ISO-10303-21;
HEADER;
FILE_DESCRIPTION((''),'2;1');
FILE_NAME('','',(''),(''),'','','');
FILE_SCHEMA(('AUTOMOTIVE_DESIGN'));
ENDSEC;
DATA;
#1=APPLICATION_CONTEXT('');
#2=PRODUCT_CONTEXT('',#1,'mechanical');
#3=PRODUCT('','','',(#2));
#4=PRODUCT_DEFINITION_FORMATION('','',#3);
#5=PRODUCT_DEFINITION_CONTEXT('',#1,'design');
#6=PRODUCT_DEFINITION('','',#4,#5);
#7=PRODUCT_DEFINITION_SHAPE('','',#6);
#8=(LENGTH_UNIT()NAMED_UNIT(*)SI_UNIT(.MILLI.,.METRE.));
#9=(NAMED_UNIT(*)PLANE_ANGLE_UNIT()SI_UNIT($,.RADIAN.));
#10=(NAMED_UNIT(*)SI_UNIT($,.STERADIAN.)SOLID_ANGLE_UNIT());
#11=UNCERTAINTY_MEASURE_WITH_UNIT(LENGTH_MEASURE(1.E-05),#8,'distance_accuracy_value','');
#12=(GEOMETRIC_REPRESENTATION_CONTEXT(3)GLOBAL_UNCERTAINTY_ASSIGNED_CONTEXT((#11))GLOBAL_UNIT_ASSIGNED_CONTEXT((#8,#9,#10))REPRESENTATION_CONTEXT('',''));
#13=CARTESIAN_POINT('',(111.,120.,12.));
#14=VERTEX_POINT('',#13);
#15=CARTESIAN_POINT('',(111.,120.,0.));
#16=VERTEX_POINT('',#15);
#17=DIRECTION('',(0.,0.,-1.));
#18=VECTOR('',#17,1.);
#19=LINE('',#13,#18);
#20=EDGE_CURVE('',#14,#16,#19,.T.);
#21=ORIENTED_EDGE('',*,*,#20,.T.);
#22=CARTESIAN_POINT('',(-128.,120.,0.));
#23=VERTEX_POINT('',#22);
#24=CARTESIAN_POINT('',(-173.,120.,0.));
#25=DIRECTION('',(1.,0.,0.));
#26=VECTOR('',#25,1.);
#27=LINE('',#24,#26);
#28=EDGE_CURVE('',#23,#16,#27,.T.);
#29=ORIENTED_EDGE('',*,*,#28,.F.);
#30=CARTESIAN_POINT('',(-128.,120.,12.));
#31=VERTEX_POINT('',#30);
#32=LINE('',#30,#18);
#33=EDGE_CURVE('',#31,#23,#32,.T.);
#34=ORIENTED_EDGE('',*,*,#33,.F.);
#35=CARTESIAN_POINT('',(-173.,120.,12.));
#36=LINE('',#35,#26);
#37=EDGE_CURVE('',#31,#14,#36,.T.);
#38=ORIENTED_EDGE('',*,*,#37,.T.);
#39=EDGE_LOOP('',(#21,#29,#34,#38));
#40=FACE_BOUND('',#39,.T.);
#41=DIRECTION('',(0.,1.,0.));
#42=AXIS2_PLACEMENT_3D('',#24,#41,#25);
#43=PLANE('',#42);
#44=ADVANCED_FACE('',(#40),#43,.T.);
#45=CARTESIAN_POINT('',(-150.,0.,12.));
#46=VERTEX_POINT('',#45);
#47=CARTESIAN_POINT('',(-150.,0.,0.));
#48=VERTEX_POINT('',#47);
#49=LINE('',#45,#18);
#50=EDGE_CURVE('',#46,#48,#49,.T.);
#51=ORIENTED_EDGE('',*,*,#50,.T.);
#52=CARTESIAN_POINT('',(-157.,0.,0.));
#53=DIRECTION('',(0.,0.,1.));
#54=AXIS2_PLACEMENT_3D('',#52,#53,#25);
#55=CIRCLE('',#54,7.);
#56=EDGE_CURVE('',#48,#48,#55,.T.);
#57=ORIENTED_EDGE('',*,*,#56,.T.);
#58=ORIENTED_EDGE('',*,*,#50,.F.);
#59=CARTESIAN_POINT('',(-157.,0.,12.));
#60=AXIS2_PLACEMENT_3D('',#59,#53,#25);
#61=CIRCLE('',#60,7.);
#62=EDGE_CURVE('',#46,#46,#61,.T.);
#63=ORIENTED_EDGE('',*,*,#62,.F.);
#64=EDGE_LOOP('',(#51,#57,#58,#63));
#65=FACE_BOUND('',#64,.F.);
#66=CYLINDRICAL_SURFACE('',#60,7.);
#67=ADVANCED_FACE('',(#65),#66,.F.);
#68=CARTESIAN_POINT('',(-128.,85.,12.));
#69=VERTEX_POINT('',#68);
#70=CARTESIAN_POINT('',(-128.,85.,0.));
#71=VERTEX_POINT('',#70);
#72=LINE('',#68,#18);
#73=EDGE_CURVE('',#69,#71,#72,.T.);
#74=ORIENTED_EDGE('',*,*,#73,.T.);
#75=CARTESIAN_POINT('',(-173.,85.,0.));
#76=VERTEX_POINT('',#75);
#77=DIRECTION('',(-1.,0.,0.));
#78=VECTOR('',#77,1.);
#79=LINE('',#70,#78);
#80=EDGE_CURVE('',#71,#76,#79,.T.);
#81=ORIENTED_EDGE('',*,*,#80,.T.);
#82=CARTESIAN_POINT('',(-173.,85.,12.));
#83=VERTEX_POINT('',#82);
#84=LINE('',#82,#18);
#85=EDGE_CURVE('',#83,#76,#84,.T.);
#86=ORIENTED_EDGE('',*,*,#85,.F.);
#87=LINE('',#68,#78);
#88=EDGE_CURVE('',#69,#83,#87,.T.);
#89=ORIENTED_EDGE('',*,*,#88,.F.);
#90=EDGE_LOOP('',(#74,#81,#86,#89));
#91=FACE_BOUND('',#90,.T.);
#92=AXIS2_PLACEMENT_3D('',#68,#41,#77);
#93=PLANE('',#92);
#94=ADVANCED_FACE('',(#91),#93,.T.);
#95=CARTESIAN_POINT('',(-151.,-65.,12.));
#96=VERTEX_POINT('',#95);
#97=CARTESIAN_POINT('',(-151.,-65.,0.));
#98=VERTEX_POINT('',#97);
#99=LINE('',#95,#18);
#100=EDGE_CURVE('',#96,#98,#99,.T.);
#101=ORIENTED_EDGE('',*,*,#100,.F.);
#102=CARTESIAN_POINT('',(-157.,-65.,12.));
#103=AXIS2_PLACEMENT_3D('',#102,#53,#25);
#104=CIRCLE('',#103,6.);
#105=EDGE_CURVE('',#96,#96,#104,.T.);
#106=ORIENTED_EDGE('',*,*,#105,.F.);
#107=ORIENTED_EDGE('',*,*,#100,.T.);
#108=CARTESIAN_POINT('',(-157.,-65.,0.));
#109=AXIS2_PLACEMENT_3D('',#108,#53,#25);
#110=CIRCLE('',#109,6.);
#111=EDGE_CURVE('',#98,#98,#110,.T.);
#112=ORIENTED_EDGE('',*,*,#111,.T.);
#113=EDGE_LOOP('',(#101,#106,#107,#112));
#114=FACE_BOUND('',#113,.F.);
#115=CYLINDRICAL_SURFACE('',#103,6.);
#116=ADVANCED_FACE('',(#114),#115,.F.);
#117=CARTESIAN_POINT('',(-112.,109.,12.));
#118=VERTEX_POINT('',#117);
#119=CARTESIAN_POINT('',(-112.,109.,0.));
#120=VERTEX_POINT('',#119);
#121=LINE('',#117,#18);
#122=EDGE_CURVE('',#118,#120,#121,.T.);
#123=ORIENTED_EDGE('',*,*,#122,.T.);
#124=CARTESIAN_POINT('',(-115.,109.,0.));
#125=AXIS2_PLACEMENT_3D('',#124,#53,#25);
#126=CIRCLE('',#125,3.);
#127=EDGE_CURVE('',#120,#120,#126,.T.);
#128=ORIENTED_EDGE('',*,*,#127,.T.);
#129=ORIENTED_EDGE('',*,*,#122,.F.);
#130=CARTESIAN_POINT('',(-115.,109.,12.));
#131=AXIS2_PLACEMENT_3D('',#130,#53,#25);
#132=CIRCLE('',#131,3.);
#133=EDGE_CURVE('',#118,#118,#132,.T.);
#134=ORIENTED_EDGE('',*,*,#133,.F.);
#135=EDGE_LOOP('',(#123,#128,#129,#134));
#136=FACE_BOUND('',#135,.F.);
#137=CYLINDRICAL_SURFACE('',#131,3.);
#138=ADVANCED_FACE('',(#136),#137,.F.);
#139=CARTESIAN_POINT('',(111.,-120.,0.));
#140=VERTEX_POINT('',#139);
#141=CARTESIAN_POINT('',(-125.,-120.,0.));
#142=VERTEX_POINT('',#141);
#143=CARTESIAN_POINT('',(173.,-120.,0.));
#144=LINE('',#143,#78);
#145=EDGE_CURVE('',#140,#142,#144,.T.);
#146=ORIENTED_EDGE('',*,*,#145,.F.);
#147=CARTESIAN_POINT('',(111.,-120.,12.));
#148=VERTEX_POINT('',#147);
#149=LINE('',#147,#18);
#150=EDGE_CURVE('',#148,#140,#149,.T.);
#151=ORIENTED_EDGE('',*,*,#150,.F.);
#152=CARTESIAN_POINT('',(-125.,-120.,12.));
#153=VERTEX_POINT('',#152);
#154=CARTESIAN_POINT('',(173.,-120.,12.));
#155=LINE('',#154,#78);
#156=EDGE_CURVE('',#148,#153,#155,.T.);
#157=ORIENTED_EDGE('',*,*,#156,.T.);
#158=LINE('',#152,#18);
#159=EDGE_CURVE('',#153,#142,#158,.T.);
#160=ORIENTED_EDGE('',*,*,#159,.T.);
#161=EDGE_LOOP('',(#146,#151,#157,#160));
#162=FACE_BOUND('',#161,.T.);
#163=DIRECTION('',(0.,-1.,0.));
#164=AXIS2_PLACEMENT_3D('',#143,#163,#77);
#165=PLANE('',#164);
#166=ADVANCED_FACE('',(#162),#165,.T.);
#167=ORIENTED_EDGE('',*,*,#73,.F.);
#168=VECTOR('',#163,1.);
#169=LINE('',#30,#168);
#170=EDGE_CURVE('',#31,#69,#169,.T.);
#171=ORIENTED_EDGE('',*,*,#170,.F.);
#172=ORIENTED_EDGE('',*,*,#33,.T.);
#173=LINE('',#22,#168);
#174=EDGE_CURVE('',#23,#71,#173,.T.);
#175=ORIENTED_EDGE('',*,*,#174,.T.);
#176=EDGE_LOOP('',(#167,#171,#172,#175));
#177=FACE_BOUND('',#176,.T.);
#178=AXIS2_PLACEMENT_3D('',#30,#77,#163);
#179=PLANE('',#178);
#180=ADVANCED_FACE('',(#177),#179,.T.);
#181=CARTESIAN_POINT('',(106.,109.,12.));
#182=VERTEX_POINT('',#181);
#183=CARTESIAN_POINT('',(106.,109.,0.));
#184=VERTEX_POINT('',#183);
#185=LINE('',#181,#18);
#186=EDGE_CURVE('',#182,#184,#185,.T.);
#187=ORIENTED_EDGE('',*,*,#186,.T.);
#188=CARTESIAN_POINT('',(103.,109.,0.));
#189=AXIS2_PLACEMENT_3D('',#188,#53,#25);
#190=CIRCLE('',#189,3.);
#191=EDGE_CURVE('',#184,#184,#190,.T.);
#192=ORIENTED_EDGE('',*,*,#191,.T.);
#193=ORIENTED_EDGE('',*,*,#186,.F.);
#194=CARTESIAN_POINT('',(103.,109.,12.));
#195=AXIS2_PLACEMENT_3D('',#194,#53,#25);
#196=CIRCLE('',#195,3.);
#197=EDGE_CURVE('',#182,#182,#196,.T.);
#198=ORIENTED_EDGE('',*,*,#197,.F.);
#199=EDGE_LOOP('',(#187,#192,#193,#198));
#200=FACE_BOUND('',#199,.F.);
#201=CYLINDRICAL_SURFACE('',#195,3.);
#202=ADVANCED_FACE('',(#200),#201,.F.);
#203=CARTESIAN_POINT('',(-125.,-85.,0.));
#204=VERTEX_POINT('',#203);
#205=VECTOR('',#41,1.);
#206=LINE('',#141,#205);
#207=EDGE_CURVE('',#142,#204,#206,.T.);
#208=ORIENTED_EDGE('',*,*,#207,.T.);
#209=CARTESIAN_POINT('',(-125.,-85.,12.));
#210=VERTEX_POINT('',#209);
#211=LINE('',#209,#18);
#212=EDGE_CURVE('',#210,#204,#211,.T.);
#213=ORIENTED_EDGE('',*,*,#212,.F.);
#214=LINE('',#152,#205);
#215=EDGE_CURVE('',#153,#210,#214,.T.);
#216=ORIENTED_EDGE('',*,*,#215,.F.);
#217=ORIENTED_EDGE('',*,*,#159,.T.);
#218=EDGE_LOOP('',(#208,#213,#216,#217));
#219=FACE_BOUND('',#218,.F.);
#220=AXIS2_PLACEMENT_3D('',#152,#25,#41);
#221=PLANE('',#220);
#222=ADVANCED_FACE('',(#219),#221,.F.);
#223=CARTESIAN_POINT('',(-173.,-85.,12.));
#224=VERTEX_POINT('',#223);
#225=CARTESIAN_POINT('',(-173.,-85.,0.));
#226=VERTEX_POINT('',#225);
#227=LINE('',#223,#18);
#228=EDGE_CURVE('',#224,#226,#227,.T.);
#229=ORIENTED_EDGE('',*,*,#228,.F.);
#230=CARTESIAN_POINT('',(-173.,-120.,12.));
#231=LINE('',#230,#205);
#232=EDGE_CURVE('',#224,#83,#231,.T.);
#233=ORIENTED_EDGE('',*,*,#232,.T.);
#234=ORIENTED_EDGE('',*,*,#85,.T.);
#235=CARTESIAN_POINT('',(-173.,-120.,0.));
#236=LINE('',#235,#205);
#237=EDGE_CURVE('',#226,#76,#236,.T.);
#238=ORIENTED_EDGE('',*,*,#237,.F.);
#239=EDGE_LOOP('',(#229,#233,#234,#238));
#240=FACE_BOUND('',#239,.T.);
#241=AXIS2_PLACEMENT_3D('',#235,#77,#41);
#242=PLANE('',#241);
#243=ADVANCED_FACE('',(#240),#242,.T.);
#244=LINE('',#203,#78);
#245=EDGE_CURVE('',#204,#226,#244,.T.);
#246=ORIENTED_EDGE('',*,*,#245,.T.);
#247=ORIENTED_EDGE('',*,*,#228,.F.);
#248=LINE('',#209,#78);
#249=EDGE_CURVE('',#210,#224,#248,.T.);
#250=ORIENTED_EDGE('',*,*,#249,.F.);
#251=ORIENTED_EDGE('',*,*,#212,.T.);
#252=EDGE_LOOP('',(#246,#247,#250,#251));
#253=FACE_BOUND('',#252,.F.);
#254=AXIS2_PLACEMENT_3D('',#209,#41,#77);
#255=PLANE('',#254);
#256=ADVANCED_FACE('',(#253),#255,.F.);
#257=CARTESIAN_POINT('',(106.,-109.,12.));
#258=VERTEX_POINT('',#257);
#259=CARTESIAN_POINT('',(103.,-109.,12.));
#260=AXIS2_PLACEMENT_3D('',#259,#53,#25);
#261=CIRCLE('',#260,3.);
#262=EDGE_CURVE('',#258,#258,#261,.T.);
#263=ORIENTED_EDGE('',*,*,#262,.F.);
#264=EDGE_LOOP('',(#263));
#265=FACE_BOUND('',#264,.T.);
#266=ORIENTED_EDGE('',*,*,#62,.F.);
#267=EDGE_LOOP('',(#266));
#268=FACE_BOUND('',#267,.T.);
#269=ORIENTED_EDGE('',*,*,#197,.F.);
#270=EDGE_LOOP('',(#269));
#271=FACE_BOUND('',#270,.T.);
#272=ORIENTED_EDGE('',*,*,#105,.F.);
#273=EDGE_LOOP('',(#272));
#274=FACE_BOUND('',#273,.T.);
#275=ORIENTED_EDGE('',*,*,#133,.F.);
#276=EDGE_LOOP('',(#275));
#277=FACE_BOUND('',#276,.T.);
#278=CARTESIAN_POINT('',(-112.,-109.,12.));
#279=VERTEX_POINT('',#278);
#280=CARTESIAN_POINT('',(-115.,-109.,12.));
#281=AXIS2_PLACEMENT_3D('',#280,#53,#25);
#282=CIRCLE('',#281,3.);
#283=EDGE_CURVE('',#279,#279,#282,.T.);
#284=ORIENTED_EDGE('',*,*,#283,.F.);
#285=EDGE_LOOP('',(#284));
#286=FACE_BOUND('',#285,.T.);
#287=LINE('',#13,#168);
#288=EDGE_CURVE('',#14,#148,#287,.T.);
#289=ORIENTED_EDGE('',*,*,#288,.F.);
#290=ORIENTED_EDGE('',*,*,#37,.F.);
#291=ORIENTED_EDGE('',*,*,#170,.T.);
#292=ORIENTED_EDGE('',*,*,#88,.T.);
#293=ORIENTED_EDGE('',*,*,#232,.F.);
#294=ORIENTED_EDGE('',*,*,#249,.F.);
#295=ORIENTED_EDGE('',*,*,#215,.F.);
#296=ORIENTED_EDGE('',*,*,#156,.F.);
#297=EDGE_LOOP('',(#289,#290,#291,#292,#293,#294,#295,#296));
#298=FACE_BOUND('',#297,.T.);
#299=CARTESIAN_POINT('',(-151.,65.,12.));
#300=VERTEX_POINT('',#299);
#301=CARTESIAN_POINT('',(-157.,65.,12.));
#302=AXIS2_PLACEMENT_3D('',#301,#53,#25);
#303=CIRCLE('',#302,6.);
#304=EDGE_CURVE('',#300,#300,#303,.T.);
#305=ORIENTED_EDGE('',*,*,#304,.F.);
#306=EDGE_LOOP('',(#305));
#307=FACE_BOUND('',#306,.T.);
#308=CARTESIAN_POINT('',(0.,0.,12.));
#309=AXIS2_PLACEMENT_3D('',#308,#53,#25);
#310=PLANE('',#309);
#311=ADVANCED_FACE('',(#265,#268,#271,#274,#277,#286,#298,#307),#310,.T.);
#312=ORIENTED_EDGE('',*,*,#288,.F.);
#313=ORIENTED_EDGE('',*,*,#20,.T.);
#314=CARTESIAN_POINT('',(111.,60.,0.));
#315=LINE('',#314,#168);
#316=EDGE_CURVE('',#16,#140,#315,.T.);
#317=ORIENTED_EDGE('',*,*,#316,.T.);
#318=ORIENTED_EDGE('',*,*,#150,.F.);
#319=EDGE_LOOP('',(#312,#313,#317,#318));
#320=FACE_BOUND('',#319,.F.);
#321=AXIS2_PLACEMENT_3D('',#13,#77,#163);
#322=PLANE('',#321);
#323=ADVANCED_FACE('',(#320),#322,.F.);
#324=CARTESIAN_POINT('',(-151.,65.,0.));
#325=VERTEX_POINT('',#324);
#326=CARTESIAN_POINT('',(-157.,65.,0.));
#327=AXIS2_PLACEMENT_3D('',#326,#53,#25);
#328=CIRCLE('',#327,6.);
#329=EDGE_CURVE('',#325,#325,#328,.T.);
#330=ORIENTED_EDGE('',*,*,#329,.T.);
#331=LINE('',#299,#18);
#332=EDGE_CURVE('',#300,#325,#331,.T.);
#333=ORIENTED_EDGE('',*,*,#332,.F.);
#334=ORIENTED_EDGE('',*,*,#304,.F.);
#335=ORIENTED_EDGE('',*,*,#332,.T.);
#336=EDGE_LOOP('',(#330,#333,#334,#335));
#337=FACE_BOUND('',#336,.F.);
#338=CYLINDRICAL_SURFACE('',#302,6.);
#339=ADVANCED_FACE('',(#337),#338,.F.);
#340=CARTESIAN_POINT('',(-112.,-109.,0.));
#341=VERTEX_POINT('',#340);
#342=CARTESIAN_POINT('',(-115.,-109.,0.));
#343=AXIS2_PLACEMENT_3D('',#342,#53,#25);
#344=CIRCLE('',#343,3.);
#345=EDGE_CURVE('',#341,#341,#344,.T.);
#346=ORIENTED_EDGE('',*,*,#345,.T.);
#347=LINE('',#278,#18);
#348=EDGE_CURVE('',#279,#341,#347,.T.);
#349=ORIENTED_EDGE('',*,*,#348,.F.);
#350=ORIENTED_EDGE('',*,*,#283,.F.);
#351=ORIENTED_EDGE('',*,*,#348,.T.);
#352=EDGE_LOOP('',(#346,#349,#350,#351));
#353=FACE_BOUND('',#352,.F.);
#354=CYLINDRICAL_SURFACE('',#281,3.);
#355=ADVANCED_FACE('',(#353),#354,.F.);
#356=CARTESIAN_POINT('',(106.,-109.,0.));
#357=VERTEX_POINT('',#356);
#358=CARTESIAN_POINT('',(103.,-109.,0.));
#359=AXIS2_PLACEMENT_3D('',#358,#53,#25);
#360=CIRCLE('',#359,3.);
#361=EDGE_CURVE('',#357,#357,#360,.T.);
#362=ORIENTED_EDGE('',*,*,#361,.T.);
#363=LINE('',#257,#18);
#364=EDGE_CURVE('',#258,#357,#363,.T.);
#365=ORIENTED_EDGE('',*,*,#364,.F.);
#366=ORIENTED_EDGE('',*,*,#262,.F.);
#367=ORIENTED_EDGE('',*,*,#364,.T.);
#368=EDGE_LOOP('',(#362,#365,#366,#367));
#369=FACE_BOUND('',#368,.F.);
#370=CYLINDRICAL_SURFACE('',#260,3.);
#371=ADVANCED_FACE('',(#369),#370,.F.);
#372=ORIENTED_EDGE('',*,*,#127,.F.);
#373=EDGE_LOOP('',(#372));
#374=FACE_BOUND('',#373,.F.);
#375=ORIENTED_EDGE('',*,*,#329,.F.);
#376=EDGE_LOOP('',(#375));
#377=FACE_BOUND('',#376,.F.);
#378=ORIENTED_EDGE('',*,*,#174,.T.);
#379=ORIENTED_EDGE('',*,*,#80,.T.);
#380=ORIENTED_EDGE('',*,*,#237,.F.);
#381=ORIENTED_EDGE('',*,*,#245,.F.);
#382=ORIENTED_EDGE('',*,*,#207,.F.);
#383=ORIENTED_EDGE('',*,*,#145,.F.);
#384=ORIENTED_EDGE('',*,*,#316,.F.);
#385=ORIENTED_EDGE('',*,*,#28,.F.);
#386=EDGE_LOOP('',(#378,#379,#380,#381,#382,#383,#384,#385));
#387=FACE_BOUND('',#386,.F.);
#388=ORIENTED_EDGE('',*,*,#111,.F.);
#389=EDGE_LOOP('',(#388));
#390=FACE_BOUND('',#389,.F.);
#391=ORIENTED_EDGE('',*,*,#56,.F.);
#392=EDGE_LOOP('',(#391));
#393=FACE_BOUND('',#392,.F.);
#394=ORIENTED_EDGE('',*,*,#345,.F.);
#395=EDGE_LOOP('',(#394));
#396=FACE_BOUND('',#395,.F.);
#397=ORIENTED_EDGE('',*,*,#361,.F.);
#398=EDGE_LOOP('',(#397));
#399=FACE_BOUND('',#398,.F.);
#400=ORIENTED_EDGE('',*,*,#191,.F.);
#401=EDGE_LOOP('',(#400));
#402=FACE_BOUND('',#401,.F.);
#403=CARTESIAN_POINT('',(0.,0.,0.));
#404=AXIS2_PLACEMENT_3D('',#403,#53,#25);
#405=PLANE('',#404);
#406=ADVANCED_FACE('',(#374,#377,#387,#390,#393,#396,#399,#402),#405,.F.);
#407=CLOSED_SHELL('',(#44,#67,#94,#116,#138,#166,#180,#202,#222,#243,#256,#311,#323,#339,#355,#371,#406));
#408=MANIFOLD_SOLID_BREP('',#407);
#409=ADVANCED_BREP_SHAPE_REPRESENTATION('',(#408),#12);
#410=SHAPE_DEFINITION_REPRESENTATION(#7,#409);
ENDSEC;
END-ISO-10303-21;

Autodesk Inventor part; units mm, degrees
ref_plane "YZ Plane" through (0, 0, 0) normal (1, 0, 0) x (0, 1, 0)
ref_plane "XZ Plane" through (0, 0, 0) normal (0, 1, 0) x (-1, 0, 0)
ref_plane "XY Plane" through (0, 0, 0) normal (0, 0, 1) x (1, 0, 0)
sketch "Sketch1" plane through (0, 0, 0) normal (0, 0, 1) x (1, 0, 0)
  line L0 (-173, 120) -> (173, 120)
  line L1 (173, 120) -> (173, -120)
  line L2 (173, -120) -> (-173, -120)
  line L3 (-173, -120) -> (-173, 120)
  point P0 (0, 0)
  dimension "d0" = 173
  dimension "d1" = 240
  dimension "d2" = 346
  dimension "d3" = 120
extrude "Plade tykkelse" add sketch "Sketch1" along normal blind 12
sketch "Sketch2" plane through (0, 0, 12) normal (0, 0, 1) x (1, 0, 0)
  line L0 (5, 88) -> (-145, 88) projected
  line L1 (5, 88) -> (5, 100) projected
  line L2 (-145, 100) -> (5, 100) projected
  line L3 (-145, 88) -> (-145, 100) projected
  line L4 (5, -100) -> (-145, -100) projected
  line L5 (5, -100) -> (5, -88) projected
  line L6 (-145, -88) -> (5, -88) projected
  line L7 (-145, -100) -> (-145, -88) projected
  circle A0 centre (-115, 109) radius 3
  circle A1 centre (103, 109) radius 3
  circle A2 centre (-115, -109) radius 3
  circle A3 centre (103, -109) radius 3
  circle A4 centre (-157, 65) radius 6
  circle A5 centre (-157, 0) radius 7
  circle A6 centre (-157, -65) radius 6
  point P0 (0, 0)
  dimension "d22" = 6
  dimension "d23" = 6
  dimension "d24" = 6
  dimension "d25" = 6
  dimension "d26" = 218
  dimension "d27" = 218
  dimension "d28" = 218
  dimension "d29" = 218
  dimension "d36" = 12
  dimension "d37" = 14
  dimension "d38" = 12
  dimension "d39" = 130
  dimension "d40" = 65
  dimension "d41" = 157
  dimension "d42" = 157
  dimension "d43" = 157
  dimension "d44" = 0
  dimension "d45" = 109
  dimension "d46" = 109
  dimension "d64" = 115
  dimension "d65" = 115
extrude "Monteringshuller & -udskæringer" cut sketch "Sketch2" against normal blind 14 contours A0 | A1 | A2 | A3 | A4 | A5 | A6
sketch "Sketch3" plane through (0, 0, 12) normal (0, 0, 1) x (1, 0, 0)
  circle A0 centre (103, -109) radius 3 projected
  line L0 (-173, -120) -> (173, -120) projected
  line L1 (173, -120) -> (173, 120) projected
  line L2 (173, 120) -> (111, 120)
  line L3 (111, 120) -> (111, -120)
  line L4 (111, -120) -> (173, -120)
  line L5 (173, -120) -> (173, 120)
  point P0 (0, 0)
  dimension "d47" = 8
extrude "Sidste længde tilpasning" cut sketch "Sketch3" against normal blind 16 contours L3 L2 L1 L0
sketch "Sketch5" plane through (0, 0, 12) normal (0, 0, 1) x (1, 0, 0)
  line L0 (111, 120) -> (-173, 120) construction
  line L1 (-173, 120) -> (-173, -120) construction
  line L2 (-173, -120) -> (111, -120) construction
  circle A0 centre (-157, 0) radius 7 construction
  circle A1 centre (-157, 65) radius 6 construction
  circle A2 centre (-115, -109) radius 3 construction
  circle A3 centre (-115, 109) radius 3 construction
  circle A4 centre (103, 109) radius 3 construction
  circle A5 centre (103, -109) radius 3 construction
  circle A6 centre (-157, -65) radius 6 construction
  line L3 (-173, -120) -> (-173, 120) projected
  line L4 (-173, -120) -> (-125, -120)
  line L5 (-125, -120) -> (-125, -85)
  line L6 (-125, -85) -> (-173, -85)
  line L7 (-173, -85) -> (-173, -120)
  line L8 (-173, 120) -> (-128, 120)
  line L9 (-128, 120) -> (-128, 85)
  line L10 (-128, 85) -> (-173, 85)
  line L11 (-173, 85) -> (-173, 120)
  line L12 (111, -120) -> (111, 120) projected
  point P0 (0, 0)
  dimension "d58" = 48
  dimension "d59" = 35
  dimension "d60" = 45
  dimension "d61" = 35
extrude "CutOff" cut sketch "Sketch5" against normal up to surface (12 mm away)
equation "\"d0\" = 0.5 * d2"
equation "\"d3\" = 0.5 * d1"
equation "\"d23\" = d22"
equation "\"d24\" = d22"
equation "\"d25\" = d22"
equation "\"d26\" = d29"
equation "\"d27\" = d28"
equation "\"d40\" = 0.5 * d39"
equation "\"d42\" = d41"
equation "\"d43\" = d41"
equation "\"d45\" = 0.5 * d28"
equation "\"d46\" = 0.5 * d27"
equation "\"d65\" = d64"
properties part number "Byggeplade Holder" material "Wood (Cherry)"
